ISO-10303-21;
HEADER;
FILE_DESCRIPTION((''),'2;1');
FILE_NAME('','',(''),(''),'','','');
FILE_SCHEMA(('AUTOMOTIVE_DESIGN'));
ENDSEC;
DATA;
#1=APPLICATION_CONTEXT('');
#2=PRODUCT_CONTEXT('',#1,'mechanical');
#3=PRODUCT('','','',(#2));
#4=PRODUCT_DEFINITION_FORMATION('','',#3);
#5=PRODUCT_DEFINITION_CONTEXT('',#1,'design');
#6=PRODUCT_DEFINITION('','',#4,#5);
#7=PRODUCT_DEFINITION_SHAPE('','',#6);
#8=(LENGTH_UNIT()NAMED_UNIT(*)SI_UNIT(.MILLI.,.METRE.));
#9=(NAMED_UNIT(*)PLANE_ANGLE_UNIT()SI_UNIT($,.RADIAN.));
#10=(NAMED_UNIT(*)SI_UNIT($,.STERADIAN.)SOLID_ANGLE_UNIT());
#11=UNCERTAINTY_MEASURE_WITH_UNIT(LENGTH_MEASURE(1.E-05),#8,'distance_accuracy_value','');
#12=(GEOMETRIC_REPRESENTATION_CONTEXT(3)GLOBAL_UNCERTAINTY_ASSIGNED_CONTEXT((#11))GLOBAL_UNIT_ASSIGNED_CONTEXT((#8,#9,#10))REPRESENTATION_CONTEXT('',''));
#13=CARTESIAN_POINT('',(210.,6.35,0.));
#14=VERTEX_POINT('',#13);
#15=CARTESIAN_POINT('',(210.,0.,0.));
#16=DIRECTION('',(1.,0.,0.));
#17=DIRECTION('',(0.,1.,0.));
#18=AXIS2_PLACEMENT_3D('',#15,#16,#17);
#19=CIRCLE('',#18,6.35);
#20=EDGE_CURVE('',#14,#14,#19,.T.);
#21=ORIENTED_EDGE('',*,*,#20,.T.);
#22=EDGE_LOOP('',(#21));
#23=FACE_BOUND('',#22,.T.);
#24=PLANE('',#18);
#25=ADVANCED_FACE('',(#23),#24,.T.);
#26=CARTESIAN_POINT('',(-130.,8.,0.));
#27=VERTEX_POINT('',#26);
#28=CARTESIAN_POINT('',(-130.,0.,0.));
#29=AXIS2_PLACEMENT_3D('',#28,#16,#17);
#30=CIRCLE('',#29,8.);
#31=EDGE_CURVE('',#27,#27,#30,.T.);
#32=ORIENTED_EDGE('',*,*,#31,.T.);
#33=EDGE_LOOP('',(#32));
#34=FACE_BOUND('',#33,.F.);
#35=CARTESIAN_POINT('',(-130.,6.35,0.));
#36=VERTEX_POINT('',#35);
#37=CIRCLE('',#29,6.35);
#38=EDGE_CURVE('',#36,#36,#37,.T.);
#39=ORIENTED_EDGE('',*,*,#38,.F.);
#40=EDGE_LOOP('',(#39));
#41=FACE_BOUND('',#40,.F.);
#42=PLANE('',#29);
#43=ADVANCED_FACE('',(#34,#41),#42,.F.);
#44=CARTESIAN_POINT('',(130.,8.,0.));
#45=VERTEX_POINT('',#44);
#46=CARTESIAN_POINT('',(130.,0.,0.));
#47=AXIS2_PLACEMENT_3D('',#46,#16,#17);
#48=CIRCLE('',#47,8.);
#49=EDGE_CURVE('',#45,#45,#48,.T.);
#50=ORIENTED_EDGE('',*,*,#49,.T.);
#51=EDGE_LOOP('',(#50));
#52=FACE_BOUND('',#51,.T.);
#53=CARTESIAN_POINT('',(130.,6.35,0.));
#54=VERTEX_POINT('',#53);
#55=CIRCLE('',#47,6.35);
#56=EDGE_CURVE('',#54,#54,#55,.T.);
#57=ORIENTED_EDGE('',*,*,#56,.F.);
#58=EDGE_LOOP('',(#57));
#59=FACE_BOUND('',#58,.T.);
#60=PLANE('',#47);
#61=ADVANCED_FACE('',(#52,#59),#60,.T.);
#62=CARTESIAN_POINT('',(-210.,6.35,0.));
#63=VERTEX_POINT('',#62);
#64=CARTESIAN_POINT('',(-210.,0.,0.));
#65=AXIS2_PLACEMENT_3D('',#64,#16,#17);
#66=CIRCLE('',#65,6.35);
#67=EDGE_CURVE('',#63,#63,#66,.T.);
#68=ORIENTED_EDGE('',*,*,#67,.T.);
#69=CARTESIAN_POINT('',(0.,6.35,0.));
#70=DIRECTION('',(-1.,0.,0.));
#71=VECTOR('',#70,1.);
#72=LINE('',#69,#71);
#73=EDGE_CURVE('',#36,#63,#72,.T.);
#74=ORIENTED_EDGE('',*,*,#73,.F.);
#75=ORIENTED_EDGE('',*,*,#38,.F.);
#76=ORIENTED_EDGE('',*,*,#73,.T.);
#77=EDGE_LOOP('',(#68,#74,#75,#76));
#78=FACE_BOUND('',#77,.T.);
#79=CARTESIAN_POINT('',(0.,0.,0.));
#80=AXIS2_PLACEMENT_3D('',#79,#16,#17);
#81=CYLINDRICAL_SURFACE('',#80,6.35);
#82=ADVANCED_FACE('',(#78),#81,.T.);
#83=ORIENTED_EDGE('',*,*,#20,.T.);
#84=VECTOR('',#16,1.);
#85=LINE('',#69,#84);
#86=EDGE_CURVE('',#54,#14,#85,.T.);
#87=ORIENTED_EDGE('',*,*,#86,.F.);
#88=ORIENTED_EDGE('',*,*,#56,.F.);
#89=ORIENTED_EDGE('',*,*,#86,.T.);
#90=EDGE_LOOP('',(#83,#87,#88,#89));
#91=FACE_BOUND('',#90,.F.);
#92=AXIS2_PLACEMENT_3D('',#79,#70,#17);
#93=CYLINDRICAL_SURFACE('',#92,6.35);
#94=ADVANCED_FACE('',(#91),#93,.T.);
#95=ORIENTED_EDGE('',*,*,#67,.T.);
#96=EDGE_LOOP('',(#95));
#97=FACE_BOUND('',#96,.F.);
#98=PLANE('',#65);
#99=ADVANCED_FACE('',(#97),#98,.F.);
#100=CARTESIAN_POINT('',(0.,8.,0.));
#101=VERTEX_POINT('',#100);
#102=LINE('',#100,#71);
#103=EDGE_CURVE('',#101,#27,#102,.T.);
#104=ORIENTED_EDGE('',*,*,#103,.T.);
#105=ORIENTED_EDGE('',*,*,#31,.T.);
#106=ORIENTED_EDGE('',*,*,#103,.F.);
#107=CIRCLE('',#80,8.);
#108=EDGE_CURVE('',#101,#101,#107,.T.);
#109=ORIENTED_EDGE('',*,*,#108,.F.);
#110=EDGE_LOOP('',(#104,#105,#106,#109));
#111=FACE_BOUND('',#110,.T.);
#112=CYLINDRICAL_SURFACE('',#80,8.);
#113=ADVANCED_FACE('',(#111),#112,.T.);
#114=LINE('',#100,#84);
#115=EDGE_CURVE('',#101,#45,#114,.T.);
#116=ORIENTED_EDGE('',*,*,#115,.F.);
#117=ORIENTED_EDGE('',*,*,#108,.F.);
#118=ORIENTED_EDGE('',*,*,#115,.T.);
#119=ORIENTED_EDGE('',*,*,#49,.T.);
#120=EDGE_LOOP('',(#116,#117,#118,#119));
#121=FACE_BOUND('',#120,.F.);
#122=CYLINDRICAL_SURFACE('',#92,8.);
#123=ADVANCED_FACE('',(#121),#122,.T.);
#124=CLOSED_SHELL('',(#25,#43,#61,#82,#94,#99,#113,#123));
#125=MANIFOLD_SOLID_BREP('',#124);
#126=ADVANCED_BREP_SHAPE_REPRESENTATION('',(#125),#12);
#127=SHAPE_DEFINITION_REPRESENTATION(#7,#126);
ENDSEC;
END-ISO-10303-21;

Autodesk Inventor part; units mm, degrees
ref_plane "YZ Plane" through (0, 0, 0) normal (1, 0, 0) x (0, 1, 0)
ref_plane "XZ Plane" through (0, 0, 0) normal (0, 1, 0) x (-1, 0, 0)
ref_plane "XY Plane" through (0, 0, 0) normal (0, 0, 1) x (1, 0, 0)
sketch "Sketch1" plane through (0, 0, 0) normal (1, 0, 0) x (0, 1, 0)
  circle A0 centre (0, 0) radius 8
  circle A1 centre (0, 0) radius 6.35
  dimension "d0" = 16
  dimension "d3" = 12.7
extrude "Extrusion1" add sketch "Sketch1" along normal mid plane 420 contours A1
extrude "Extrusion2" add sketch "Sketch1" along normal mid plane 260
thread "Thread1" size "M16x2" class "6g" standard "ANSI Metric M Profile" full length
properties part number "driveshaft1"
